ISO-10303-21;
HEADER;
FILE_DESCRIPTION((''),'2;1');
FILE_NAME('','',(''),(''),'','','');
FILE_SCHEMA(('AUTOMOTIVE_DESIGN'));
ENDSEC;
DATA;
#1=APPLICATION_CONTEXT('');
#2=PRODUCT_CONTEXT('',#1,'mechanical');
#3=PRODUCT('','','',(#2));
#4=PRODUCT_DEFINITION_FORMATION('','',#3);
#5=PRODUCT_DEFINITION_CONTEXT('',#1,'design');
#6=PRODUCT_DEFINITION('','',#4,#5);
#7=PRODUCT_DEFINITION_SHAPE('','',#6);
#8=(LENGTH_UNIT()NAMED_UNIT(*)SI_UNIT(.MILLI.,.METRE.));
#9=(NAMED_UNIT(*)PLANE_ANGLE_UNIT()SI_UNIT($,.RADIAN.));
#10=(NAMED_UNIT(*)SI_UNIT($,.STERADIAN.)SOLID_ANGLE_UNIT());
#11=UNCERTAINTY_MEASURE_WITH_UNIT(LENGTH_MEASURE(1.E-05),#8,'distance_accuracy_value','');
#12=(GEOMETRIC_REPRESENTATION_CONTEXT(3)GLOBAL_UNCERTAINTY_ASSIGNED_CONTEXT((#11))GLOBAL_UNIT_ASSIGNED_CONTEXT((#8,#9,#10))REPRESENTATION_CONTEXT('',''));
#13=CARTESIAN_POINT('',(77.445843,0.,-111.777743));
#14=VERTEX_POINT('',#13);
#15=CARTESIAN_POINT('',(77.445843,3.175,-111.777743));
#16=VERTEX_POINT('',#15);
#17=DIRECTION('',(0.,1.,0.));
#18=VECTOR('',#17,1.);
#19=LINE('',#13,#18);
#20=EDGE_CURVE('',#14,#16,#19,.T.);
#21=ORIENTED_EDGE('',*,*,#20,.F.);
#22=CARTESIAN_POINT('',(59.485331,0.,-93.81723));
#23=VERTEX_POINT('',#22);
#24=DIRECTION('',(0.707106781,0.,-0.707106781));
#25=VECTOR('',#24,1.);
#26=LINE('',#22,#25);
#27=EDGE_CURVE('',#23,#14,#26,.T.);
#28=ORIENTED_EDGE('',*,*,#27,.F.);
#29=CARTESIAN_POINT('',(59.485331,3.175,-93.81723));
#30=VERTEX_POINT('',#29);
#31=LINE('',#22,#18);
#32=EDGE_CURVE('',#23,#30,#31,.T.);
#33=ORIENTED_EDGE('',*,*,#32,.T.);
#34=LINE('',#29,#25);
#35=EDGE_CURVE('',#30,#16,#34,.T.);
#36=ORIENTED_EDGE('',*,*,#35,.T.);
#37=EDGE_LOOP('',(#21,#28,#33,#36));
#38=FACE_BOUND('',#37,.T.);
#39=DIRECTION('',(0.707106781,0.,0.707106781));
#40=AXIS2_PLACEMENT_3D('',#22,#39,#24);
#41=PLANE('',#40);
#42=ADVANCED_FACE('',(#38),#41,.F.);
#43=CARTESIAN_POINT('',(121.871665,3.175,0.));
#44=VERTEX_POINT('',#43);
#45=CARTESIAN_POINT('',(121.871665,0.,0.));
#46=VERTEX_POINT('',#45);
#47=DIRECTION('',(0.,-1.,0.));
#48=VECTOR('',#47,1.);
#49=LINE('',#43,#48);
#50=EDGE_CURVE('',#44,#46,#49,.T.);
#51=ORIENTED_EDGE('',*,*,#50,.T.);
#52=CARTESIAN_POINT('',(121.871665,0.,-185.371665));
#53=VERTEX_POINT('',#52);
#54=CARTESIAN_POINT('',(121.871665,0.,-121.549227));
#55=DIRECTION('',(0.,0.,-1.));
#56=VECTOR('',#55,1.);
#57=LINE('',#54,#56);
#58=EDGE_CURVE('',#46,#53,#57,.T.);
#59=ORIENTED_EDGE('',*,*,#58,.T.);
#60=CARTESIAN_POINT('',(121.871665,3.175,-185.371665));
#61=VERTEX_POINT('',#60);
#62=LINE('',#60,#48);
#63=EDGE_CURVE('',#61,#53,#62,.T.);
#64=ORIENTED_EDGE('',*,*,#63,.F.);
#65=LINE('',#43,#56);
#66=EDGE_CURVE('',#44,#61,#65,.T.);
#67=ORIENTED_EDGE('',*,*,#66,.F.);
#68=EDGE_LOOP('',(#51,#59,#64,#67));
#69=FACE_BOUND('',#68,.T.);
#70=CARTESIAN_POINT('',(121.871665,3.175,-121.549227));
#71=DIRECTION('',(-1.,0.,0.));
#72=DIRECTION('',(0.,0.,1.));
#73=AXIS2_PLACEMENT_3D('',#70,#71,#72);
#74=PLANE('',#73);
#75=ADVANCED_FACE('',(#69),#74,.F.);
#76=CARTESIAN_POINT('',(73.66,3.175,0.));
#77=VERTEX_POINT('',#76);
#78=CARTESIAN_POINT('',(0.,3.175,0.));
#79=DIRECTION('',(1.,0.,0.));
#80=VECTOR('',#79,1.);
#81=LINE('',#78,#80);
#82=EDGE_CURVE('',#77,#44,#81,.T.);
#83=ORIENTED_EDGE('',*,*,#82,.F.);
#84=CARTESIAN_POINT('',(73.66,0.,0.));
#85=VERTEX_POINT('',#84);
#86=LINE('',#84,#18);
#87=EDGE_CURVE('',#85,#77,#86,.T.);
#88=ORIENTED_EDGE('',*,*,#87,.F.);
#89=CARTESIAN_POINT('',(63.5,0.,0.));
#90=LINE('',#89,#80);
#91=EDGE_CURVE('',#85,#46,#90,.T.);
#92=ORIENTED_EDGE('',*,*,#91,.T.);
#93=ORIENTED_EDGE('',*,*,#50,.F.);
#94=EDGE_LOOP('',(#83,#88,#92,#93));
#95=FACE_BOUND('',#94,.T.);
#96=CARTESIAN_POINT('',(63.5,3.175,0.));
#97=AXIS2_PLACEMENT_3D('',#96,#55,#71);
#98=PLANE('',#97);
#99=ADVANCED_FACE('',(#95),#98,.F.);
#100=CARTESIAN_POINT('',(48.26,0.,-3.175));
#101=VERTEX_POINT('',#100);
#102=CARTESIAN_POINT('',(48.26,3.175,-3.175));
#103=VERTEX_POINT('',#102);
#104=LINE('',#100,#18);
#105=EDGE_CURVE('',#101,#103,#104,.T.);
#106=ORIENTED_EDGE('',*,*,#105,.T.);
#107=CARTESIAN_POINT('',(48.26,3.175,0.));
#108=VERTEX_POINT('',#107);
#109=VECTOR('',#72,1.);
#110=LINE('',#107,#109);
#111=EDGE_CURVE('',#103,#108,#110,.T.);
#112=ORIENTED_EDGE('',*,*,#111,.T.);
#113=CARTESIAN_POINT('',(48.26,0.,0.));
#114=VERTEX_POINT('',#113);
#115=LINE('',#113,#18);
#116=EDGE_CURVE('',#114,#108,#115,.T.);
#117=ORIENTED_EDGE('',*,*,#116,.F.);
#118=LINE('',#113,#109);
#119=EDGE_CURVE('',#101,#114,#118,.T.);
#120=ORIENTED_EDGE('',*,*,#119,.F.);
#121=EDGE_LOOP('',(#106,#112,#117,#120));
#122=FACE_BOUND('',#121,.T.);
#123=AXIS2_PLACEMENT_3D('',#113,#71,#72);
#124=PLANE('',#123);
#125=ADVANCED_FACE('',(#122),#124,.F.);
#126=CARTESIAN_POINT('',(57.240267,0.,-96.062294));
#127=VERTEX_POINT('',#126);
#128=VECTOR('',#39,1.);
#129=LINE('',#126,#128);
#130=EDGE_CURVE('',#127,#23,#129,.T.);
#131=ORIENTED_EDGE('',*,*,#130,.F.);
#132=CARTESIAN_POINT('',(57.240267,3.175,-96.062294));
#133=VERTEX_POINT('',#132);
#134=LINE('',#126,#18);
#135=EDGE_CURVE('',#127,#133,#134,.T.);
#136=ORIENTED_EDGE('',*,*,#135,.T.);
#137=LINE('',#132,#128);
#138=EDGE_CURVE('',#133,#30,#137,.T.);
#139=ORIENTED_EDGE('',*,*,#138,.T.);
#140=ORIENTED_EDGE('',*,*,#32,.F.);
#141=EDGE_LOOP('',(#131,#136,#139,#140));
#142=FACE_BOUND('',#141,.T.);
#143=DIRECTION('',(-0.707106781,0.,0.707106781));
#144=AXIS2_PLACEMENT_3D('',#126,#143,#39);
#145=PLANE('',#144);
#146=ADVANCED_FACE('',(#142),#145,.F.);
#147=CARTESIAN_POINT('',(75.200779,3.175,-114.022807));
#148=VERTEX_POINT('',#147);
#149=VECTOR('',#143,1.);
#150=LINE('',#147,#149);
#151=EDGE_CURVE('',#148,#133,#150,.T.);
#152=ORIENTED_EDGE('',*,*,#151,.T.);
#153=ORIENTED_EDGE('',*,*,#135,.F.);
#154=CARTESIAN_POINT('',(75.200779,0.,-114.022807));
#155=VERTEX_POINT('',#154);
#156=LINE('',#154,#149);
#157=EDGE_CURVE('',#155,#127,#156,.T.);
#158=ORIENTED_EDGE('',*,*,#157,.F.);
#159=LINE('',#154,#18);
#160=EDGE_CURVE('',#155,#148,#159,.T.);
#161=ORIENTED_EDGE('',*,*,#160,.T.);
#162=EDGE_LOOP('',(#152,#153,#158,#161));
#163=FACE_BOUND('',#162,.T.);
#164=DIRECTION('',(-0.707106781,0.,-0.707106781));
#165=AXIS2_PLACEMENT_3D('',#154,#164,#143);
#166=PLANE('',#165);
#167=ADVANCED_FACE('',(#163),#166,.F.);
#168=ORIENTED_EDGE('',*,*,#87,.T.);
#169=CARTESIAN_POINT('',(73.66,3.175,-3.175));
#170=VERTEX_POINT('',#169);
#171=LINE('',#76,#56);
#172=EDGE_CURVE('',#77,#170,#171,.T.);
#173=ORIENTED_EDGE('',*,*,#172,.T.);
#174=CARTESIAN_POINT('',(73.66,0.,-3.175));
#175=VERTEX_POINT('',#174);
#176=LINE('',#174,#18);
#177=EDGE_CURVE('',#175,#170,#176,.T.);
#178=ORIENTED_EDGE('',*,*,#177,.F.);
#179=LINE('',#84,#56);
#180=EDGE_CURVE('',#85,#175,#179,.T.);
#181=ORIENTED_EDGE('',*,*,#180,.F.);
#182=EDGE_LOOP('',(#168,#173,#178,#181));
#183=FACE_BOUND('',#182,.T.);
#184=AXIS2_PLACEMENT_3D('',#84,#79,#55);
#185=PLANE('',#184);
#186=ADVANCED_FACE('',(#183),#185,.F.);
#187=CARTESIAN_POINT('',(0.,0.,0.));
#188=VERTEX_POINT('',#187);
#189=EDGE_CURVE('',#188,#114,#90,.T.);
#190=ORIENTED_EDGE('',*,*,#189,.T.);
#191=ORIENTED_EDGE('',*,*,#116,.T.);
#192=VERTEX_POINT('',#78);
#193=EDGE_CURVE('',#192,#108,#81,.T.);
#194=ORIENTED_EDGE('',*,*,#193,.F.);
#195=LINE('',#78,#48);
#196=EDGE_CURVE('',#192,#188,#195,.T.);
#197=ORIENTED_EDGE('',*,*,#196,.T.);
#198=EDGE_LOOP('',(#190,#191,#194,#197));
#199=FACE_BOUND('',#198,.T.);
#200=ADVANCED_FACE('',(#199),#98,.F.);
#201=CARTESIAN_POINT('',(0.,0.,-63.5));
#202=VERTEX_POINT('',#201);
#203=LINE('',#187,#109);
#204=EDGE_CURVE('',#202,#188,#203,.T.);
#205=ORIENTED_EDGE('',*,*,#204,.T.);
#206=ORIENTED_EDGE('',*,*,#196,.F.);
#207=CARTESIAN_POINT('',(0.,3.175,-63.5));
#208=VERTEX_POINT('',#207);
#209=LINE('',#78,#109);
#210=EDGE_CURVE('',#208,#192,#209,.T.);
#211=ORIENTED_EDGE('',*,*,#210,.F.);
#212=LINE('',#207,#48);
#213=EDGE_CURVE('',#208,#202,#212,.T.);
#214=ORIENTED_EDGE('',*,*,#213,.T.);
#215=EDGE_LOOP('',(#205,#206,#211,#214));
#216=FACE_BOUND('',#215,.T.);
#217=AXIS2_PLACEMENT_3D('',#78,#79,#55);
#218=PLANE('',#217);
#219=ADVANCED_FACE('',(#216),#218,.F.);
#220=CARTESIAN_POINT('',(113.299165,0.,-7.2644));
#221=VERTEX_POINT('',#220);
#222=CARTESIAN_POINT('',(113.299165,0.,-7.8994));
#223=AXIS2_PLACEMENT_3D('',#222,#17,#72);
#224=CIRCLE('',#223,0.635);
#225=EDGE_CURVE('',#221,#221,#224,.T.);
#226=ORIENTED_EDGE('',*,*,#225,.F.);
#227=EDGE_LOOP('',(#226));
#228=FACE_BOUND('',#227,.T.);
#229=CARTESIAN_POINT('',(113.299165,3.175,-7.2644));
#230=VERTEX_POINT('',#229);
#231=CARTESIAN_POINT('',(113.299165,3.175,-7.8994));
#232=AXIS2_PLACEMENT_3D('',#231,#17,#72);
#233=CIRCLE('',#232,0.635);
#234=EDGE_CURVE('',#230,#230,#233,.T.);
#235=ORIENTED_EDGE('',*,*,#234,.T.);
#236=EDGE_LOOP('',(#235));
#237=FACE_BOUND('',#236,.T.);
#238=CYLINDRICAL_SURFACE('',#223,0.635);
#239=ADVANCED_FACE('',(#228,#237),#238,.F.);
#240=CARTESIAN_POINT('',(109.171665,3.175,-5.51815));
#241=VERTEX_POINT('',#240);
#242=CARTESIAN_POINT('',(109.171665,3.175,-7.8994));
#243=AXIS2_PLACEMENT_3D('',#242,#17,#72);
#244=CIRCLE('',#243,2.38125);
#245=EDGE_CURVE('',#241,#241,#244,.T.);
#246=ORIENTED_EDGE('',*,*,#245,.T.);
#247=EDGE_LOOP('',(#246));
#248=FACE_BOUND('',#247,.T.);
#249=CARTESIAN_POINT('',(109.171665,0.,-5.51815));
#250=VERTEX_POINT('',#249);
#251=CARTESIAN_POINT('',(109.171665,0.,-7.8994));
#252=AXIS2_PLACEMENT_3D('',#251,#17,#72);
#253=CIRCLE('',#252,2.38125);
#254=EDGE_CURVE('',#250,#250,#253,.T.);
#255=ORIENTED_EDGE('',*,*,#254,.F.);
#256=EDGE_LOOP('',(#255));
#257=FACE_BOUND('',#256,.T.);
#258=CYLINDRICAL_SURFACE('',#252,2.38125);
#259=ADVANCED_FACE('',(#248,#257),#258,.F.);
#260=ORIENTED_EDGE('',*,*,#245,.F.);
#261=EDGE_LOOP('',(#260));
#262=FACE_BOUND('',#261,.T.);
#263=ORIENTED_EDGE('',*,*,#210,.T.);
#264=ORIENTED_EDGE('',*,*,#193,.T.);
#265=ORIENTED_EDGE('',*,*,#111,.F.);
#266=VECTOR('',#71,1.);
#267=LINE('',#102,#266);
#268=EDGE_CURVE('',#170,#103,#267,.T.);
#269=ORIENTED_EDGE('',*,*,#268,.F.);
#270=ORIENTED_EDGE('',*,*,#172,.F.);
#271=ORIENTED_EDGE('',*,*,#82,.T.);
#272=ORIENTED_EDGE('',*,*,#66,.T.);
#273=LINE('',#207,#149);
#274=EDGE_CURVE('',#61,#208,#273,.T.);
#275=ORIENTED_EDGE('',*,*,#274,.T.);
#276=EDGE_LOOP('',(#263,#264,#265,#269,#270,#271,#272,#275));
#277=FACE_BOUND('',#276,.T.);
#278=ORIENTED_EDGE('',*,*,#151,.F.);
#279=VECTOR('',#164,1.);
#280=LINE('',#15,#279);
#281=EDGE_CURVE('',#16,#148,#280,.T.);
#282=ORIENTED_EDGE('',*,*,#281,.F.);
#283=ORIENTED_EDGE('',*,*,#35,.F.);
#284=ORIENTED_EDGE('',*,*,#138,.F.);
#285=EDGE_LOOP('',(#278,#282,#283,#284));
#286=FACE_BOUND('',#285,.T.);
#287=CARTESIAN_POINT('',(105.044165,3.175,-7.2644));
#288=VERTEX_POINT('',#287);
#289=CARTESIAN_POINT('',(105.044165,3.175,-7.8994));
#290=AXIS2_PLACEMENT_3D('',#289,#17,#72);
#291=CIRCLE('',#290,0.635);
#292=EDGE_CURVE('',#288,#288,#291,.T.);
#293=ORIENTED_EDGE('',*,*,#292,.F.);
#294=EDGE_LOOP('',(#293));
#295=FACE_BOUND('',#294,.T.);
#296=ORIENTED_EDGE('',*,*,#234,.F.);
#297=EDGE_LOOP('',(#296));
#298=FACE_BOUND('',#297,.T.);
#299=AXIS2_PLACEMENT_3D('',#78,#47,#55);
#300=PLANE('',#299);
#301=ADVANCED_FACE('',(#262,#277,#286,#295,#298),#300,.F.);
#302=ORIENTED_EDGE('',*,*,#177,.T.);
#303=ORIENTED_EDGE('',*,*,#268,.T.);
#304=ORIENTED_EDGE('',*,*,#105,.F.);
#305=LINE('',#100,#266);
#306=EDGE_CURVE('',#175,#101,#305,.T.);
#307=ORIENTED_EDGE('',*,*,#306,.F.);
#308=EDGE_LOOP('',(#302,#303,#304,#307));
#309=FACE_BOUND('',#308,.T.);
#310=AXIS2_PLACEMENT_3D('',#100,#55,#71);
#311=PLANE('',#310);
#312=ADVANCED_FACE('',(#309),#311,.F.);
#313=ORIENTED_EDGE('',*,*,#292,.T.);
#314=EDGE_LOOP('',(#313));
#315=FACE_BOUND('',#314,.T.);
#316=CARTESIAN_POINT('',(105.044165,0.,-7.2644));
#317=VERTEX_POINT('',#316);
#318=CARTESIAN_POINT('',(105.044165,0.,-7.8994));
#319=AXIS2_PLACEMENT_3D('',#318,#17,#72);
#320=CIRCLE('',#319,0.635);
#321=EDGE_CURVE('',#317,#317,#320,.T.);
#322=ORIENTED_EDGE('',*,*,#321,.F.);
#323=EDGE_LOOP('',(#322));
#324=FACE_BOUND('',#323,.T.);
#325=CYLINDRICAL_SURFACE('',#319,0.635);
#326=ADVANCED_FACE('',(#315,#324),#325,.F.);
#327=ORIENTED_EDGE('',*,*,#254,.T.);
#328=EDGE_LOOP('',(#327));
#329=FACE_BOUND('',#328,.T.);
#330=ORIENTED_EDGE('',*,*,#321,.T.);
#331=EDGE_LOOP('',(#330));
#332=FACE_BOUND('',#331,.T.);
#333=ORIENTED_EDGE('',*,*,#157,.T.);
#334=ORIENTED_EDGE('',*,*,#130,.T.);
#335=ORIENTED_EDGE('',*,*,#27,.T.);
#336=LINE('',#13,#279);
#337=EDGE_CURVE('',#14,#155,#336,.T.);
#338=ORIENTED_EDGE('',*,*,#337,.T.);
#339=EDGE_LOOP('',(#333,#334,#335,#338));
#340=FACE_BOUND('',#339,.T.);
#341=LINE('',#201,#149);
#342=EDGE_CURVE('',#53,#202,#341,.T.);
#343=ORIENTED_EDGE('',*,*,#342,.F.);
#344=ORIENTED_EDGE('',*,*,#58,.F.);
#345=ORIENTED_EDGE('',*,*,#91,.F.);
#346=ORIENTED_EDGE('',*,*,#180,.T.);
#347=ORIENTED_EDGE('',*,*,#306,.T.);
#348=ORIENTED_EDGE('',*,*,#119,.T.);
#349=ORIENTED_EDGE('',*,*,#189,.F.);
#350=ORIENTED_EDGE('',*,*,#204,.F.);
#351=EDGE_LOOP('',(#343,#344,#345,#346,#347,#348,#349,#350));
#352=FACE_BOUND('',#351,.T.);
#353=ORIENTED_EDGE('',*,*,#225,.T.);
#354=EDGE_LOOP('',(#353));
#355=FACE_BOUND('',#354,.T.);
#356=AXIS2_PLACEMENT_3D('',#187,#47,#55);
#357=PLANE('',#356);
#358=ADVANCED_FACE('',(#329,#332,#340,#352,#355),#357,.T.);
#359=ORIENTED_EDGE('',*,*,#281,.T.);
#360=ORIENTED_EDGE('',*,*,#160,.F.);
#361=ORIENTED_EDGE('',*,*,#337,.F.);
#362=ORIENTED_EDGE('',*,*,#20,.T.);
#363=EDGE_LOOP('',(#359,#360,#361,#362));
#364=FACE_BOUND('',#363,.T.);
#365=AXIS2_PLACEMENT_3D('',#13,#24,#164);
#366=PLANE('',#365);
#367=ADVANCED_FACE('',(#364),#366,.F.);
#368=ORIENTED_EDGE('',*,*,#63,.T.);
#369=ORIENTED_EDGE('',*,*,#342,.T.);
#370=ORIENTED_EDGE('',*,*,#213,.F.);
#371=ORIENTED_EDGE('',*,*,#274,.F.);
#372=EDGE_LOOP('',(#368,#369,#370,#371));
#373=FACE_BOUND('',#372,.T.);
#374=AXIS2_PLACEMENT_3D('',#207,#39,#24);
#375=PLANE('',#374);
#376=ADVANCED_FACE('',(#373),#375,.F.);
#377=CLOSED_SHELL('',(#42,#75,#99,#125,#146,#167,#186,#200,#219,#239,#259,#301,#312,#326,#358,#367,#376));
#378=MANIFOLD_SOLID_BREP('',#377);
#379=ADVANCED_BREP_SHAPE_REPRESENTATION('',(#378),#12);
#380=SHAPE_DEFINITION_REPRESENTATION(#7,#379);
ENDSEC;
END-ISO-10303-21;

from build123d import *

# Parameters (mm, degrees)
BOSS_EXTRUDE1_DEPTH = 3.175
SKETCH2_R           = 2.38125
SKETCH2_R_2         = 0.635
SKETCH2_W           = 25.4
SKETCH2_H           = 3.175
CUT_EXTRUDE1_DEPTH  = 3.175


with BuildPart() as part:
    # Sketch1 → Boss-Extrude1 (new body)
    with BuildSketch(Plane(origin=(0, 0, 0), x_dir=(1, 0, 0), z_dir=(0, 1, 0))):
        Polygon((0, 63.5), (121.871664787, 185.371664787), (121.871664787, 121.549227353), (121.871664787, 0), (63.5, 0), (31.75, 0), (0, 0), align=None)
    extrude(amount=BOSS_EXTRUDE1_DEPTH)

    # Sketch2 → Cut-Extrude1 (cut)
    with BuildSketch(Plane(origin=(0, 3.175, 0), x_dir=(1, 0, 0), z_dir=(0, 1, 0))):
        with Locations(Location((109.171664787, 7.8994, 0), (0, 0, 270))):
            Circle(SKETCH2_R)
        with Locations(Location((105.044164787, 7.8994, 0), (0, 0, 270))):
            Circle(SKETCH2_R_2)
        with Locations(Location((113.299164787, 7.8994, 0), (0, 0, 270))):
            Circle(SKETCH2_R_2)
        Polygon((57.240266841, 96.06229437), (59.485330871, 93.81723034), (77.445843113, 111.777742582), (75.200779083, 114.022806612), align=None)
        with Locations((60.96, 1.5875)):
            Rectangle(SKETCH2_W, SKETCH2_H)
    extrude(amount=-CUT_EXTRUDE1_DEPTH, mode=Mode.SUBTRACT)


solid = part.part
